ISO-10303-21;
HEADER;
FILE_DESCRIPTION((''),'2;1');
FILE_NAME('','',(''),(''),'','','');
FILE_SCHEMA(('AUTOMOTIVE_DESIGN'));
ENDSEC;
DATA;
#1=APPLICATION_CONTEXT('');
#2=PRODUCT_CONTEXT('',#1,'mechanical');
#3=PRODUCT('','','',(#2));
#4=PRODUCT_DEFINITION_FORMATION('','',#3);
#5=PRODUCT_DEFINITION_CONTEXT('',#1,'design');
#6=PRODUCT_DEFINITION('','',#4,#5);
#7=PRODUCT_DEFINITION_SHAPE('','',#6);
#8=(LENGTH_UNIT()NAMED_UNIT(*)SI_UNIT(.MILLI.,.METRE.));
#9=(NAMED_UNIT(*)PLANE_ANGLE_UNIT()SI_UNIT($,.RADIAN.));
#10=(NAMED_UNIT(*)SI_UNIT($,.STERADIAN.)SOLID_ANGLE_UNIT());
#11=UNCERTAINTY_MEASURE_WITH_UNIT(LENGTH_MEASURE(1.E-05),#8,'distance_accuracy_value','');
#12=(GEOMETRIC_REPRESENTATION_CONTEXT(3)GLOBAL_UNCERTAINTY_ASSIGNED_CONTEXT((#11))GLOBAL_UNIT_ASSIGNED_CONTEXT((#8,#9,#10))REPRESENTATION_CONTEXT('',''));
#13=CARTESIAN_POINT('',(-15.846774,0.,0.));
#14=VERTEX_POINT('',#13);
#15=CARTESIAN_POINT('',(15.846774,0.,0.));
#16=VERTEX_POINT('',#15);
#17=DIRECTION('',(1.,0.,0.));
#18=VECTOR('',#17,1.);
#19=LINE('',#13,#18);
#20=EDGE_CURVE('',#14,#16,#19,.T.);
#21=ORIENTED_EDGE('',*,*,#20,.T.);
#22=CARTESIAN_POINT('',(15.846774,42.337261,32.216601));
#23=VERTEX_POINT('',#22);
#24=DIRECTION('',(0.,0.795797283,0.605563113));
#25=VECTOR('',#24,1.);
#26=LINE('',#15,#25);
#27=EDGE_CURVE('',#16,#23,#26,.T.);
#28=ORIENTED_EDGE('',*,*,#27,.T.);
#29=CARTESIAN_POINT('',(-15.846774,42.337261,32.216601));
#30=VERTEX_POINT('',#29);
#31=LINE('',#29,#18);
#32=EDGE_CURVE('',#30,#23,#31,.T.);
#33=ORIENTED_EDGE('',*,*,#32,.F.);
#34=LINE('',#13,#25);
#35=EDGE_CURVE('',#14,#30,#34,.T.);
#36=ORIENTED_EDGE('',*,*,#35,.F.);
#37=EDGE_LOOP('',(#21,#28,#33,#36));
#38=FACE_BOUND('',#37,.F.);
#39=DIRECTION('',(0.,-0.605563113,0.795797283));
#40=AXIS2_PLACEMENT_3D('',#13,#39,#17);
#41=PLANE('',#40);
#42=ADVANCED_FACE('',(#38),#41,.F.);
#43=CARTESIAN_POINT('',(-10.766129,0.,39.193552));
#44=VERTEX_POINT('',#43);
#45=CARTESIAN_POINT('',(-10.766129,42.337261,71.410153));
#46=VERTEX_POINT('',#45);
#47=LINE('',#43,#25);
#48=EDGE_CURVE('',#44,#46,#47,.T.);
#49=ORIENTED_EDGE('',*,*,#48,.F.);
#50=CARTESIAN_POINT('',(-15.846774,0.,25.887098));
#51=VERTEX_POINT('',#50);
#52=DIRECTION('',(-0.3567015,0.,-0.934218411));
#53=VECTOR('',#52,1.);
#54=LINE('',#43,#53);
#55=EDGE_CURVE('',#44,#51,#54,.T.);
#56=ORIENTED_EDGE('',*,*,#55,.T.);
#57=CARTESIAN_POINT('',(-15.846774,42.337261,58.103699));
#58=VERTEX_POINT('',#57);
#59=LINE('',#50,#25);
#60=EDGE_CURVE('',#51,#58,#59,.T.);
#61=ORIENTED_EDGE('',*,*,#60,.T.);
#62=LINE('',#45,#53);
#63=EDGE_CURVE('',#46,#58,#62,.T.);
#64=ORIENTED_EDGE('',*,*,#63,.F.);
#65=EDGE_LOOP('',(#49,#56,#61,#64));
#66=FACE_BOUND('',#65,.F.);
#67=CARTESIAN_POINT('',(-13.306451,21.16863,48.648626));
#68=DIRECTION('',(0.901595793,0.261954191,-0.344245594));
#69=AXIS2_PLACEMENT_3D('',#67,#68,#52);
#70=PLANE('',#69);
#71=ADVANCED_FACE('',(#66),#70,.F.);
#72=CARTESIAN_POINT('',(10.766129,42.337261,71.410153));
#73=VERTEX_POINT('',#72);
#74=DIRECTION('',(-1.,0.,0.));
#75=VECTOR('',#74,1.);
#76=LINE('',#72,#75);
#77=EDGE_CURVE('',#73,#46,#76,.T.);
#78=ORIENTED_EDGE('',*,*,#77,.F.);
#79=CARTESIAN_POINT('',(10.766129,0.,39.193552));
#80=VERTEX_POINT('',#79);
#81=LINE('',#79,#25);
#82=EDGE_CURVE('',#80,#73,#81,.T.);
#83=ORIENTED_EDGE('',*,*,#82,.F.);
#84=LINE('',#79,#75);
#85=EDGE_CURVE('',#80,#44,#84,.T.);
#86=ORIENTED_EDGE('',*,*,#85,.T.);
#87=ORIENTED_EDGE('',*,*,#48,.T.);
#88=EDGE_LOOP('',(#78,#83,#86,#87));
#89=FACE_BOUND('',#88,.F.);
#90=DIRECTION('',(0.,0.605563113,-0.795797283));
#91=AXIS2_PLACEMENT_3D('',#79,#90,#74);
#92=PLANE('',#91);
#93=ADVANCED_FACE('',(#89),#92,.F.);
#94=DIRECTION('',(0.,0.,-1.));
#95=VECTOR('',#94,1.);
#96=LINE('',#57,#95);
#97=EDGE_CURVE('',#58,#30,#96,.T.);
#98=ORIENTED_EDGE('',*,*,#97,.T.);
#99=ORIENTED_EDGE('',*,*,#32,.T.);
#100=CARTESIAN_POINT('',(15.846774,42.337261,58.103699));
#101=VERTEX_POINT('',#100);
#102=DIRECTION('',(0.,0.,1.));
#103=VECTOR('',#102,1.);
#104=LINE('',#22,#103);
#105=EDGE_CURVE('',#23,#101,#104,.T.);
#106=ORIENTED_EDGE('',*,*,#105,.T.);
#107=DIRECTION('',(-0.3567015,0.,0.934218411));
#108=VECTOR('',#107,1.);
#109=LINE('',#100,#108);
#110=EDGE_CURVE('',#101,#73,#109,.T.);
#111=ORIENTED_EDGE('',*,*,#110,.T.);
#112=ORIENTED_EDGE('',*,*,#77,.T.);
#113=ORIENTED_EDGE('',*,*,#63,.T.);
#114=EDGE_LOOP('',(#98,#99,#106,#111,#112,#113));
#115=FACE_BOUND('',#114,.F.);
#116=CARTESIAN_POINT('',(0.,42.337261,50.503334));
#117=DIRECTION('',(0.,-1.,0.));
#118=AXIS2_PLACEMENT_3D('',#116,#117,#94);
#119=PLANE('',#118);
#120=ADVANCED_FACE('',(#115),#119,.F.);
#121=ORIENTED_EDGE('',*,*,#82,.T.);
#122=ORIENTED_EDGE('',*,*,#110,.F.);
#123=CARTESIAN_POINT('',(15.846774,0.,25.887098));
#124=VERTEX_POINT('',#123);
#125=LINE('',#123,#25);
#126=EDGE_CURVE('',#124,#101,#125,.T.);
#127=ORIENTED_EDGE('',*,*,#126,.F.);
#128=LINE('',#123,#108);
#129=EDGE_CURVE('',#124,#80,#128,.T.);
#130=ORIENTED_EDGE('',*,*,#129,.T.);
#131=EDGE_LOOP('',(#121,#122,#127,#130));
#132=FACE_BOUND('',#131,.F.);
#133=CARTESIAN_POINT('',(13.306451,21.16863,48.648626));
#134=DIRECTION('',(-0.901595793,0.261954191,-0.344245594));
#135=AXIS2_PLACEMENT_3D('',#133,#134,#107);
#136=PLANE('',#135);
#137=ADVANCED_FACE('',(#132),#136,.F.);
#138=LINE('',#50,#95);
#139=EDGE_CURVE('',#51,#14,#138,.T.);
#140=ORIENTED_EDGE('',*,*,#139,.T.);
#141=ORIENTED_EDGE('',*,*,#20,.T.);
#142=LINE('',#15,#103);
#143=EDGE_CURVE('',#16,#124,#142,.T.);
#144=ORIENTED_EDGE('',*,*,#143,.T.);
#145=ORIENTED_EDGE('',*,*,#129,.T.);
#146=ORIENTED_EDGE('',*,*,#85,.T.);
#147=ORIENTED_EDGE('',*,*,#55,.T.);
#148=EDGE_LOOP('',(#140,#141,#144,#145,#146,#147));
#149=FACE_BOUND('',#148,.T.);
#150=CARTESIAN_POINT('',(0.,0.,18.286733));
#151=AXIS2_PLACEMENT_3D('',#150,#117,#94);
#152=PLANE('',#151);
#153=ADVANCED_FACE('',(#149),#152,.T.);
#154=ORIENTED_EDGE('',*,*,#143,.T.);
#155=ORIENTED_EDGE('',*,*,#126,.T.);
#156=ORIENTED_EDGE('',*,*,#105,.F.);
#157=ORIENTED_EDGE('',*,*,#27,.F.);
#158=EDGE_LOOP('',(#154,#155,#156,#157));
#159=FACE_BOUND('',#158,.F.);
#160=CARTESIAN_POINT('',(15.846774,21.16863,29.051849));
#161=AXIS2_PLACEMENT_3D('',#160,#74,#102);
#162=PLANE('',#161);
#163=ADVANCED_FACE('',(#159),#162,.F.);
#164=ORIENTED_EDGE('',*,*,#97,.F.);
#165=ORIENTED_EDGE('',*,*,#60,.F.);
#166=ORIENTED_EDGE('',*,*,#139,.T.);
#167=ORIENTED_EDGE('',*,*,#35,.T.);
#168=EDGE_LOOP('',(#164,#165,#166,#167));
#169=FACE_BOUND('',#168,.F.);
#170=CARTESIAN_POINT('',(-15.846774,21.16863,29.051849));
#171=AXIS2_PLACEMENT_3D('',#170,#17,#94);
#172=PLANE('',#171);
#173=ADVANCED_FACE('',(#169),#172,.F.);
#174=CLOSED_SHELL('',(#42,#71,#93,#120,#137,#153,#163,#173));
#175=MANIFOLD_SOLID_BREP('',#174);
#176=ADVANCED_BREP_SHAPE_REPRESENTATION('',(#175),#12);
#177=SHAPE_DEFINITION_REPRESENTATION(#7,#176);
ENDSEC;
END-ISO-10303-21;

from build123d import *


with BuildPart() as f2:
    # F2: sweep along a path in F1
    with BuildLine(Plane.YZ) as f2_path:
        Line((0, 0), (42.337261, 32.216601))
    # F0 (on Front) → F2 (sweep)
    with BuildSketch(Plane.XZ):
        Polygon((-15.846774, 0), (0, 0), (15.846774, 0), (15.846774, 25.887098), (10.766129, 39.193552), (3.750001, 39.193552), (-3.750001, 39.193552), (-10.766129, 39.193552), (-15.846774, 25.887098), align=None)
    sweep(path=f2_path.line)


solid = f2.part
